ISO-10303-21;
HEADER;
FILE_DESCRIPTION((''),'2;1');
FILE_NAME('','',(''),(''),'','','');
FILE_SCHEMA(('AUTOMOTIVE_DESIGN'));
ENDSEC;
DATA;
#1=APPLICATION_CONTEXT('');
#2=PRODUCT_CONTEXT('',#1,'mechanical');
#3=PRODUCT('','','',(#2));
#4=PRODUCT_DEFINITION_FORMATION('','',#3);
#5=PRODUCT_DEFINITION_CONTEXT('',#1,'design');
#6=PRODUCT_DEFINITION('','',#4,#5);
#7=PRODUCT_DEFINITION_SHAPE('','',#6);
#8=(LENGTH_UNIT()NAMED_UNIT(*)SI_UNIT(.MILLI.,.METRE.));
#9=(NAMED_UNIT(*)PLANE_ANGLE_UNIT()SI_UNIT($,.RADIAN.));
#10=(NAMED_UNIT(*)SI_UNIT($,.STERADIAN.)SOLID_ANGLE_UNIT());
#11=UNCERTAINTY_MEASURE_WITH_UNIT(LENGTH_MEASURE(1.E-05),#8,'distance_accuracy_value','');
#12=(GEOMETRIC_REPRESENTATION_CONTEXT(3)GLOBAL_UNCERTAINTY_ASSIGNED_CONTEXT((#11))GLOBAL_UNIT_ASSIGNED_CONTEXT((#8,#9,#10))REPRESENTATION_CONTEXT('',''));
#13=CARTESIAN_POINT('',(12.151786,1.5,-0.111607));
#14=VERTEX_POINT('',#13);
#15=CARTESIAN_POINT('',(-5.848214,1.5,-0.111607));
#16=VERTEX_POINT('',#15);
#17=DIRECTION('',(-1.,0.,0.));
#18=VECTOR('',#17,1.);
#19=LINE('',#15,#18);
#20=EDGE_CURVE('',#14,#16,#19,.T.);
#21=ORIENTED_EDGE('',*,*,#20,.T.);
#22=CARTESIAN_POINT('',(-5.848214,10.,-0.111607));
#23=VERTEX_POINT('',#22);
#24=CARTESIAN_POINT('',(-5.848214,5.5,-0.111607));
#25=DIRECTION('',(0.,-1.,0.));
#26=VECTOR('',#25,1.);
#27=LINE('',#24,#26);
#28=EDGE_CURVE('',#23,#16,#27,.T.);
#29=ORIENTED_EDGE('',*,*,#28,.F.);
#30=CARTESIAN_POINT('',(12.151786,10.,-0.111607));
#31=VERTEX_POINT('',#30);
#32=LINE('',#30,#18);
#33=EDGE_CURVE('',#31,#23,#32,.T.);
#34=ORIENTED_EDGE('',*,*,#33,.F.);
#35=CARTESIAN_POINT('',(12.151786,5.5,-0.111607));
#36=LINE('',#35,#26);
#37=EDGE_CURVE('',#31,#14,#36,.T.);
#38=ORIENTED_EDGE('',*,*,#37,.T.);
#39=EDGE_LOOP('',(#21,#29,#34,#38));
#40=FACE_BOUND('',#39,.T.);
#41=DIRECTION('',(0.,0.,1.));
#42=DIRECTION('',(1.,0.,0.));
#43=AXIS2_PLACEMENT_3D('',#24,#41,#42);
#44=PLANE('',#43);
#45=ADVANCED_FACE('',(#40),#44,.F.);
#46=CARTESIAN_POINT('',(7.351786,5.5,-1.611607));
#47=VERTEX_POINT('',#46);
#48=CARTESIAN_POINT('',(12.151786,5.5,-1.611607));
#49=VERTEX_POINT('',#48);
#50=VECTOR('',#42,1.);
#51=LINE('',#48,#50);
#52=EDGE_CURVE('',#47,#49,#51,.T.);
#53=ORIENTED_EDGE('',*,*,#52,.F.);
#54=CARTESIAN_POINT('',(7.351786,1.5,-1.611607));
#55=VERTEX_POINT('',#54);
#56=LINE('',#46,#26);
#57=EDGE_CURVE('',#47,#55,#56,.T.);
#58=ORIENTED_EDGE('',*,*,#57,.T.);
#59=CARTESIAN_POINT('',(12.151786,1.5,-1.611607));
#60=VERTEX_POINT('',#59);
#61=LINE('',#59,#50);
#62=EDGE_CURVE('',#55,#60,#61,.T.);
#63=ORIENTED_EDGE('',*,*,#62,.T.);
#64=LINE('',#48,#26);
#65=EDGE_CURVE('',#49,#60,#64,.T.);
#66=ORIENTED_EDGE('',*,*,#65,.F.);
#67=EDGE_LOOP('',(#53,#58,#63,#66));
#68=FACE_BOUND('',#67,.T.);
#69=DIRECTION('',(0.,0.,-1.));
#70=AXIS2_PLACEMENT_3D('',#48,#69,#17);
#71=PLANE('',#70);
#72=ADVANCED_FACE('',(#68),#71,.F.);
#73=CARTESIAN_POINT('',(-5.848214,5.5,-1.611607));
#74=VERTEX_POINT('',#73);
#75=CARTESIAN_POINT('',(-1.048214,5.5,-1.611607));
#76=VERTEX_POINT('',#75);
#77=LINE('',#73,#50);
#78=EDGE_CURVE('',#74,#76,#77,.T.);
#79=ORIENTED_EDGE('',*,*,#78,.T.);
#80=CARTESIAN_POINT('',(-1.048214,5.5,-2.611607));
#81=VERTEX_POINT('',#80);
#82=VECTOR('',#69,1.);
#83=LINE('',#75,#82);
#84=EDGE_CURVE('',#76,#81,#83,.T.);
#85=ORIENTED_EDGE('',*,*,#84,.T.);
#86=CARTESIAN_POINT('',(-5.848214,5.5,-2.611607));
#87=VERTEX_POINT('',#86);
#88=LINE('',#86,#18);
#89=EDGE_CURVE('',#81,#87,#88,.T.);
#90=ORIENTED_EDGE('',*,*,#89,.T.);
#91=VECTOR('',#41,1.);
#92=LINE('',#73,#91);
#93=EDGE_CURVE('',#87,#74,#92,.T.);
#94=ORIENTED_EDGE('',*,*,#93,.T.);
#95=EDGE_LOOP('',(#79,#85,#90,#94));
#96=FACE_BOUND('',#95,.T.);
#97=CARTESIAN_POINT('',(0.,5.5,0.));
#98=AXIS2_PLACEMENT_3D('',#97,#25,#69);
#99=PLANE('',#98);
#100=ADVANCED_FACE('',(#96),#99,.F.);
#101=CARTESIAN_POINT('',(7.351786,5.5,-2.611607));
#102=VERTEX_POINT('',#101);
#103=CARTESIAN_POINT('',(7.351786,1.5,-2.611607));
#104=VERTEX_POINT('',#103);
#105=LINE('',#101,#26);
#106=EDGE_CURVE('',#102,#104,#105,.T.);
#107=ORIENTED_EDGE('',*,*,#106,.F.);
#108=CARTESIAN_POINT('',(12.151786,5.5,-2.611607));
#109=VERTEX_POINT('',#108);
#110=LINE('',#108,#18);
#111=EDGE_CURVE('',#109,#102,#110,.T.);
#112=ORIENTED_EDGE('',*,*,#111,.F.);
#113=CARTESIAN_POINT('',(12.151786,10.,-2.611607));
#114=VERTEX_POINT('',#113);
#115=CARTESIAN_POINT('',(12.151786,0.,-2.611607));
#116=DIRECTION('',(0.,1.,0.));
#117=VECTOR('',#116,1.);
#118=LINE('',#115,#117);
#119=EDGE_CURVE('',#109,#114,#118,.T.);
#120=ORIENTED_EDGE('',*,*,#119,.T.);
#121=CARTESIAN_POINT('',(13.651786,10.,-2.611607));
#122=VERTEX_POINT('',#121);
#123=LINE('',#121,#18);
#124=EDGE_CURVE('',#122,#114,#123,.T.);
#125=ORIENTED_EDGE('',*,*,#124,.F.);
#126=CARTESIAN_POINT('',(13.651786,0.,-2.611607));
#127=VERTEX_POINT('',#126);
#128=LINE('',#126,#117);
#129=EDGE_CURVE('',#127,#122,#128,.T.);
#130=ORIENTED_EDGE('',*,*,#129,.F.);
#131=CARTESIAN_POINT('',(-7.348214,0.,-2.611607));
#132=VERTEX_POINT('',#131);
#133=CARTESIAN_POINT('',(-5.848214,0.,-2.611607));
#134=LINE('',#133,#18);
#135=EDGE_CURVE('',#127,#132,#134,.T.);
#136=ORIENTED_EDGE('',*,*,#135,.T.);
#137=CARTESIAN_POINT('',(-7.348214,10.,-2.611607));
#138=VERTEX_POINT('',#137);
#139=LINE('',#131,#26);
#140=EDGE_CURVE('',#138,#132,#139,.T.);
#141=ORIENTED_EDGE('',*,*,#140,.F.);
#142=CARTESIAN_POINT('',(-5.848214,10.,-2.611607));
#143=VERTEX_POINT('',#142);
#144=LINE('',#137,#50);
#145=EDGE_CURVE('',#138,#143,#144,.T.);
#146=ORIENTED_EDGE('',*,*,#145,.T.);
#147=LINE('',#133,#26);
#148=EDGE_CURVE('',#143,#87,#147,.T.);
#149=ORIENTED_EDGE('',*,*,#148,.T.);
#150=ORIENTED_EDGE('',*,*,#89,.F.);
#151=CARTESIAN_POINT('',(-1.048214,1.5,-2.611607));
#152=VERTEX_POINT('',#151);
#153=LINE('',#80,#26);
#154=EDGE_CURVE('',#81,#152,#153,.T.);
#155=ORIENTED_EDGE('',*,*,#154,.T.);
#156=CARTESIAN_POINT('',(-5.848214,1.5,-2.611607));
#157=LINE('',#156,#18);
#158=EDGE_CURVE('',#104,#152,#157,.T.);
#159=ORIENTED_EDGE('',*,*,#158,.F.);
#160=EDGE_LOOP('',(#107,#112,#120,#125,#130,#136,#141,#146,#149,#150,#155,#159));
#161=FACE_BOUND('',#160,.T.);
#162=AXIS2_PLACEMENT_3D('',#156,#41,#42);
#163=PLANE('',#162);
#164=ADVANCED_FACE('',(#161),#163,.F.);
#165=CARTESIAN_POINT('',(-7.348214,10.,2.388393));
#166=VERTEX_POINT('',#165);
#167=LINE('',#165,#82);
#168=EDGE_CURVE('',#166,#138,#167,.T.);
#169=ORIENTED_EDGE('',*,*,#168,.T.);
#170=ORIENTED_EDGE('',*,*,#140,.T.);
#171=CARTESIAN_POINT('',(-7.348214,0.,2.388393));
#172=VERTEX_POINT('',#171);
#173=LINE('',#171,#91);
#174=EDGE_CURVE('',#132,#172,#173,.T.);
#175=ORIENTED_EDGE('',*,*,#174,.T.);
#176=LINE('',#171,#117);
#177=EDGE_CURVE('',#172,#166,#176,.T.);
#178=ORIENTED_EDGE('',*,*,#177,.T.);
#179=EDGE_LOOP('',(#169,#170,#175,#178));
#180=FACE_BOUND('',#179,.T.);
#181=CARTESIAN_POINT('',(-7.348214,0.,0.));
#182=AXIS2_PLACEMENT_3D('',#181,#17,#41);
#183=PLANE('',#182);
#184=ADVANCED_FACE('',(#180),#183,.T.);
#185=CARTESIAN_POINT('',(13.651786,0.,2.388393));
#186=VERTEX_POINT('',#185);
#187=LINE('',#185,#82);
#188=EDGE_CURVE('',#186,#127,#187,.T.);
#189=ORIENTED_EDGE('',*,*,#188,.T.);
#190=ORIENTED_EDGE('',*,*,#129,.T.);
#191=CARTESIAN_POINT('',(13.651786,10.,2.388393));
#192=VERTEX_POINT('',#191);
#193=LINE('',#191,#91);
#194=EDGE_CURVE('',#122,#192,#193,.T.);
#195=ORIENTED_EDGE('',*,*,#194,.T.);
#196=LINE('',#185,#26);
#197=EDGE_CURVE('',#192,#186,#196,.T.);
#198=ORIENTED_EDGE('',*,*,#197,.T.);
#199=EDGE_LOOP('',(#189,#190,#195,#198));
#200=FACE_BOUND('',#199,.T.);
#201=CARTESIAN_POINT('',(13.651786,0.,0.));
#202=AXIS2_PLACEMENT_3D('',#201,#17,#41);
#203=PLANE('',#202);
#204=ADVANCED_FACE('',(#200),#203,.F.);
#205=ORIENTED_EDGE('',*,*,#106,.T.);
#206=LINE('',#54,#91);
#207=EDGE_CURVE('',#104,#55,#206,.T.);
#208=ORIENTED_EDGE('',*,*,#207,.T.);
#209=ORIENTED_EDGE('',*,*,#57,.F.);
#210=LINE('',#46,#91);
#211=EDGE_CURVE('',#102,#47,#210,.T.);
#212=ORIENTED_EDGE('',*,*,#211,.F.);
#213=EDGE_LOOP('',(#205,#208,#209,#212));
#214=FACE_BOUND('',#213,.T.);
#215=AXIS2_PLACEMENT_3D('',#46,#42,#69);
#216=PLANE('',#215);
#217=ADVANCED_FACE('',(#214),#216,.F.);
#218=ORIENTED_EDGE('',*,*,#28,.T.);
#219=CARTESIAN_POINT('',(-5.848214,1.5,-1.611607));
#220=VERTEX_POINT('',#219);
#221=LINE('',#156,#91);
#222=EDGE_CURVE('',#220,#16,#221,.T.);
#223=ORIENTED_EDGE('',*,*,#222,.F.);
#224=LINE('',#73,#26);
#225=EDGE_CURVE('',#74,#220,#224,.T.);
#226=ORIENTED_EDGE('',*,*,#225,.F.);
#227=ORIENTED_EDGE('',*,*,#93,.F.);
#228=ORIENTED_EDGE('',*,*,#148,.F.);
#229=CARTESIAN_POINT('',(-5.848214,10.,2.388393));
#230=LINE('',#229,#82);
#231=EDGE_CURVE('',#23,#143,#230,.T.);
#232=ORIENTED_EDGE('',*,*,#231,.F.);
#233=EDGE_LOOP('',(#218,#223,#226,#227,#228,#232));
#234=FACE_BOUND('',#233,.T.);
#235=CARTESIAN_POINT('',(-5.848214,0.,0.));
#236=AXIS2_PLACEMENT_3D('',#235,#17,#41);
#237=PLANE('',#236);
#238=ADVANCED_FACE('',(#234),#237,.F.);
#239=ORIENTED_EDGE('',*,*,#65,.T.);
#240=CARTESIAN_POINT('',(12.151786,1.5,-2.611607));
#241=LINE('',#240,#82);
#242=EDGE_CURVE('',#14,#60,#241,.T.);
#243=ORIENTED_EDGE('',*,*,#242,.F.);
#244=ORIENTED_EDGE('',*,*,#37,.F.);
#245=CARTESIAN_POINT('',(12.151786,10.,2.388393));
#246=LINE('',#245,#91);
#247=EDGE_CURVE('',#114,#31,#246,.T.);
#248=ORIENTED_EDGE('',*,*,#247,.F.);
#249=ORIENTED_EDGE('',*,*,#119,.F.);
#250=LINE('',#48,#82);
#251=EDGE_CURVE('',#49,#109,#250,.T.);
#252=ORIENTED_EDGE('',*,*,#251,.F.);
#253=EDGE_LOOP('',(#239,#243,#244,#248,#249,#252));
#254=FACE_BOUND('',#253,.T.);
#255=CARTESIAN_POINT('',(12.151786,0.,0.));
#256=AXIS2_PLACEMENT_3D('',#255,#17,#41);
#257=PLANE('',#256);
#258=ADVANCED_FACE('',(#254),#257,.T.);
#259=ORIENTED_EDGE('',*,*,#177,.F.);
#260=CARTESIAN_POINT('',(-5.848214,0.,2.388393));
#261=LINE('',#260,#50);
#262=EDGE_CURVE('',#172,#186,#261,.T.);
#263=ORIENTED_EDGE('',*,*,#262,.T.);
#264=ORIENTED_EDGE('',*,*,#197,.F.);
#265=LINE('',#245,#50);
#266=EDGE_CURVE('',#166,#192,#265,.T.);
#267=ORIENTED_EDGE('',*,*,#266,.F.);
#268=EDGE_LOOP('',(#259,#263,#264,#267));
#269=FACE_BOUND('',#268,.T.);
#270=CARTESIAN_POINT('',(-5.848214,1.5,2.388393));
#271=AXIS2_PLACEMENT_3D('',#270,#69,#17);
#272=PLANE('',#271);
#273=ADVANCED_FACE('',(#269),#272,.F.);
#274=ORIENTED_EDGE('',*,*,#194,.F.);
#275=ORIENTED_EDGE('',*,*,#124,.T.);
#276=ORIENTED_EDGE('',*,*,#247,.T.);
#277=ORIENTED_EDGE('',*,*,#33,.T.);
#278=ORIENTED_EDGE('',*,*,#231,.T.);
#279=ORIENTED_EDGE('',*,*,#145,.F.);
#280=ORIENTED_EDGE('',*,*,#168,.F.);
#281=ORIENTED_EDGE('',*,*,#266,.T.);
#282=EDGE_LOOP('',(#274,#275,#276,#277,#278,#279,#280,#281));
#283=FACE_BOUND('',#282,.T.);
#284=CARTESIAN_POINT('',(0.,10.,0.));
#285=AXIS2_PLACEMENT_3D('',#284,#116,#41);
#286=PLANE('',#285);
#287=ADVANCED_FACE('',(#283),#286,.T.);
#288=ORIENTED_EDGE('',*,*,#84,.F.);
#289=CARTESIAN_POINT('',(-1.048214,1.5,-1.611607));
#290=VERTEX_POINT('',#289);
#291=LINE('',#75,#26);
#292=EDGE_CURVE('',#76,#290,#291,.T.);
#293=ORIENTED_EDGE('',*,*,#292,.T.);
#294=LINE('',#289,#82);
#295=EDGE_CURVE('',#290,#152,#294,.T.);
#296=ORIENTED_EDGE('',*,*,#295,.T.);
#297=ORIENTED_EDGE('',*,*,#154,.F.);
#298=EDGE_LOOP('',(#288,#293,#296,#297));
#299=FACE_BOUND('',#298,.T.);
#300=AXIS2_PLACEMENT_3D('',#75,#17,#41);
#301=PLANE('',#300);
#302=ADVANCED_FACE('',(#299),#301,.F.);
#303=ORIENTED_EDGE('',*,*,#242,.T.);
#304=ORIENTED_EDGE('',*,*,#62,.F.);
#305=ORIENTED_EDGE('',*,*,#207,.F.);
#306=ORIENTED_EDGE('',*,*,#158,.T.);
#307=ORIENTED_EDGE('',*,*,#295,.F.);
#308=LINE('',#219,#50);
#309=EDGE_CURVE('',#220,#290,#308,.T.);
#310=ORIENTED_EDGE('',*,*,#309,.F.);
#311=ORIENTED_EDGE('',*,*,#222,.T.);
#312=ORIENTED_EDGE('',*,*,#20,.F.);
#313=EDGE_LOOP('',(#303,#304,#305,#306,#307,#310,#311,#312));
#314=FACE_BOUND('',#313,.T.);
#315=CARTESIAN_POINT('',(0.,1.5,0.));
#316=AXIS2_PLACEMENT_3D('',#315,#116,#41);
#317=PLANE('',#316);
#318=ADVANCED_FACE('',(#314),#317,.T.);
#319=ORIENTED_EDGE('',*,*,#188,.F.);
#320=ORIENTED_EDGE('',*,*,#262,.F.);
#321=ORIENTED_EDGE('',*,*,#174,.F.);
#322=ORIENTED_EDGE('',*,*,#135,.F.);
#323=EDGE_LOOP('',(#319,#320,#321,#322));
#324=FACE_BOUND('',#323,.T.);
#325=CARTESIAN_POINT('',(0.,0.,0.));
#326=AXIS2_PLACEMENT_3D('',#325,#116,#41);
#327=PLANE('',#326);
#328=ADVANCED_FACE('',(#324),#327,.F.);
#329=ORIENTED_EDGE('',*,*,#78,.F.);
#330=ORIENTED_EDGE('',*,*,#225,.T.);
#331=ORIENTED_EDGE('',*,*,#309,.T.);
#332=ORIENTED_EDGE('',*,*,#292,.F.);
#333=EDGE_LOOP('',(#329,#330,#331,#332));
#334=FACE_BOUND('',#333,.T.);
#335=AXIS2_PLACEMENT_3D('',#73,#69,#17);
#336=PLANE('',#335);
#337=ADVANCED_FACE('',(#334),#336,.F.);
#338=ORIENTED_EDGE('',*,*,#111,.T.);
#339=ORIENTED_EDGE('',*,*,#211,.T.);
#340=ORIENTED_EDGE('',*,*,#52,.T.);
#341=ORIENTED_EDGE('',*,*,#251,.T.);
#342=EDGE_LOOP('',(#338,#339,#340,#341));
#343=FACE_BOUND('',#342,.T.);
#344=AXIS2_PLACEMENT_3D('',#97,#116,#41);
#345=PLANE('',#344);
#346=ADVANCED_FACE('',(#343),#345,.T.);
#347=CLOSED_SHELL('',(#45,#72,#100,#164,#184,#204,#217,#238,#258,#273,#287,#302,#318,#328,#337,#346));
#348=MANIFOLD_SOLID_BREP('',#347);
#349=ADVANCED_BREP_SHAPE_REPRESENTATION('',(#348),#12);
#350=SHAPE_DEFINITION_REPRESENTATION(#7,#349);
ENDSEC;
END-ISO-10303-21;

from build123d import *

# Parameters (mm, degrees)
SKETCH1_W           = 18
SKETCH1_H           = 5
BOSS_EXTRUDE1_DEPTH = 1.5
SKETCH2_W           = 18
SKETCH2_H           = 2.5
SKETCH2_W_2         = 4.8
SKETCH2_H_2         = 1
BOSS_EXTRUDE3_DEPTH = 4
SKETCH4_W           = 18
SKETCH4_H           = 2.5
BOSS_EXTRUDE4_DEPTH = 4.5
SKETCH6_W           = 5
SKETCH6_H           = 10
BOSS_EXTRUDE5_DEPTH = 1.5
SKETCH7_W           = 5
SKETCH7_H           = 10
BOSS_EXTRUDE6_DEPTH = 1.5


with BuildPart() as part:
    # Sketch1 → Boss-Extrude1 (new body)
    with BuildSketch(Plane(origin=(0, 0, 0), x_dir=(1, 0, 0), z_dir=(0, 1, 0))):
        with Locations((3.151785714, 0.111607143)):
            Rectangle(SKETCH1_W, SKETCH1_H)
    extrude(amount=BOSS_EXTRUDE1_DEPTH)

    # Sketch2 → Boss-Extrude3 (add)
    with BuildSketch(Plane(origin=(0, 1.5, 0), x_dir=(1, 0, 0), z_dir=(0, 1, 0))):
        with Locations((3.151785714, -1.138392857)):
            Rectangle(SKETCH2_W, SKETCH2_H)
        with Locations((-3.448214286, 2.111607143)):
            Rectangle(SKETCH2_W_2, SKETCH2_H_2)
        with Locations((9.751785714, 2.111607143)):
            Rectangle(SKETCH2_W_2, SKETCH2_H_2)
    extrude(amount=BOSS_EXTRUDE3_DEPTH)

    # Sketch4 → Boss-Extrude4 (add)
    with BuildSketch(Plane(origin=(0, 5.5, 0), x_dir=(1, 0, 0), z_dir=(0, 1, 0))):
        with Locations((3.151785714, -1.138392857)):
            Rectangle(SKETCH4_W, SKETCH4_H)
    extrude(amount=BOSS_EXTRUDE4_DEPTH)

    # Sketch6 → Boss-Extrude5 (add)
    with BuildSketch(Plane(origin=(12.151785714, 0, 0), x_dir=(0, 0, -1), z_dir=(1, 0, 0))):
        with Locations((0.111607143, 5)):
            Rectangle(SKETCH6_W, SKETCH6_H)
    extrude(amount=BOSS_EXTRUDE5_DEPTH)

    # Sketch7 → Boss-Extrude6 (add)
    with BuildSketch(Plane.ZY.offset(5.848214286)):
        with Locations((-0.111607143, 5)):
            Rectangle(SKETCH7_W, SKETCH7_H)
    extrude(amount=BOSS_EXTRUDE6_DEPTH)


solid = part.part
